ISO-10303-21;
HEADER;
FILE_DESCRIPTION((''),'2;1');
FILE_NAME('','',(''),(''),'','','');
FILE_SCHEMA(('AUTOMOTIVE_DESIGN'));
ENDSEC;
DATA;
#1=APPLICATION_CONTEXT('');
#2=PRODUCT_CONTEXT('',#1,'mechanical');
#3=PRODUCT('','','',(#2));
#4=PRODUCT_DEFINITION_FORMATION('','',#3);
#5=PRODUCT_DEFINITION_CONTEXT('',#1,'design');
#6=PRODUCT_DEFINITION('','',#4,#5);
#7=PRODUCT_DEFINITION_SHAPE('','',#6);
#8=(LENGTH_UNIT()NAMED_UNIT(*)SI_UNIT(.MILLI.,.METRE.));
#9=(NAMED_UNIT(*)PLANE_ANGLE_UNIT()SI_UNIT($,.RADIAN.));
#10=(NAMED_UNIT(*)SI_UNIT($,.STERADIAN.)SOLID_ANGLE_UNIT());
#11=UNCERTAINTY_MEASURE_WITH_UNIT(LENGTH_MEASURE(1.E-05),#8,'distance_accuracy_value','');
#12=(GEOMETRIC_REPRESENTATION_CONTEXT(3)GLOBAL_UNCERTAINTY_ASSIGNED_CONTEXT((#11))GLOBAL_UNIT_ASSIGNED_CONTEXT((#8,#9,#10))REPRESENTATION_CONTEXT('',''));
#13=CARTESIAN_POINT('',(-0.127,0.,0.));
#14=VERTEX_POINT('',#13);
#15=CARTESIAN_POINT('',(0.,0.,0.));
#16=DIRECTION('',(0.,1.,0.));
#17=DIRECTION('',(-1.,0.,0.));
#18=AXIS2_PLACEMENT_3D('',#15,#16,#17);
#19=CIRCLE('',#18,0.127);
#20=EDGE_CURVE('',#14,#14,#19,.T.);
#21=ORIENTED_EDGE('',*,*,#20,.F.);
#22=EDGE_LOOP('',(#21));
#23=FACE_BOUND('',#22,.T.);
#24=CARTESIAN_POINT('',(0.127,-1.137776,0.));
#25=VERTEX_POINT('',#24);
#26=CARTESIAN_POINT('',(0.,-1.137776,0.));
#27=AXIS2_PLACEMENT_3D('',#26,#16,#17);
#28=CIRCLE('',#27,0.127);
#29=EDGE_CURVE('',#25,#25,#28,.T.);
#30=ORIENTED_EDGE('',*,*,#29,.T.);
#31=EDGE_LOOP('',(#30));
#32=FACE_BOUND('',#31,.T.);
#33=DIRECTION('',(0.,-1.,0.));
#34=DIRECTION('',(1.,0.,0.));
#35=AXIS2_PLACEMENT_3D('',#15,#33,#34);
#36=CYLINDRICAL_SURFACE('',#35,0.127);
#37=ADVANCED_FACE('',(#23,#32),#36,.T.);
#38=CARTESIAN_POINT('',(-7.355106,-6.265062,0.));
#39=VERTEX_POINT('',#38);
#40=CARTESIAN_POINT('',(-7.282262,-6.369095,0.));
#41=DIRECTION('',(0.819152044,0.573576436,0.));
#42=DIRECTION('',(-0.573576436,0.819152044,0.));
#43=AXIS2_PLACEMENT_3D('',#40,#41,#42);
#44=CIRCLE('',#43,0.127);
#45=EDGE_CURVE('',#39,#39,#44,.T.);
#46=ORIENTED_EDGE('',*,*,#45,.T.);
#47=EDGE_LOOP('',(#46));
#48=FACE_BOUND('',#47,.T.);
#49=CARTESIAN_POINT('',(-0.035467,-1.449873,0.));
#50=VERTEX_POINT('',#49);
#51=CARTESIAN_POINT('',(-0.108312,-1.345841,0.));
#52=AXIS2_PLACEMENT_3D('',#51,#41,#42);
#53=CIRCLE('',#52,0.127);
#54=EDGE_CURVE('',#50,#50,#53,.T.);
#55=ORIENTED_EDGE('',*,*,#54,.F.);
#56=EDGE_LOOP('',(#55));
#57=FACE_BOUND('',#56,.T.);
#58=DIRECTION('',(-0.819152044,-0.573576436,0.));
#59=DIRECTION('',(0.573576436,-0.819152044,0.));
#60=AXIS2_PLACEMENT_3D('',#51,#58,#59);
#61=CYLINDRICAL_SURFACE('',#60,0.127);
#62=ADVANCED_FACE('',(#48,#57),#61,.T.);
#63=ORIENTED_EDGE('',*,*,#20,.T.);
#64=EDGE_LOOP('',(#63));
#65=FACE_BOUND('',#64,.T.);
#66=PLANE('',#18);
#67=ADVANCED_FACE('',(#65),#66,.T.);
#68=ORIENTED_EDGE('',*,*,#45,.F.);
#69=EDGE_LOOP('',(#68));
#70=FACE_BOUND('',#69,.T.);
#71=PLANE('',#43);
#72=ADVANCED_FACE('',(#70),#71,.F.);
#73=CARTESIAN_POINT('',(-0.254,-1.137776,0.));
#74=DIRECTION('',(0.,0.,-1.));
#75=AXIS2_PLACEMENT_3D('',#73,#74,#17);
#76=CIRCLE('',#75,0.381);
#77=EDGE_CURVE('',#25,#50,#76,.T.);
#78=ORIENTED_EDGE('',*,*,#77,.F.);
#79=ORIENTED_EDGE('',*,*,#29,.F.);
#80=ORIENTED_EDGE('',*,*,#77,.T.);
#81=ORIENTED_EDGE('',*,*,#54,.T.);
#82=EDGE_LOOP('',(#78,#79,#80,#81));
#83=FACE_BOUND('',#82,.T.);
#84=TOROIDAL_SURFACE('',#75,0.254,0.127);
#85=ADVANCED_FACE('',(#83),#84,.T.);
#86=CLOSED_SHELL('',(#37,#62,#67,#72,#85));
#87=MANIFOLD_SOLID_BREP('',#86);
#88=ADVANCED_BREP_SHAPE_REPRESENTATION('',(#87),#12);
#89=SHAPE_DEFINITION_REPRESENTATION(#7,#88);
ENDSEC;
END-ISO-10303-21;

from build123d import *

# Parameters (mm, degrees)
SWEEP1_PROFILE_R = 0.127


with BuildPart() as part:
    # Sweep1: sweep along a path in Sketch1
    with BuildLine(Plane.XY) as sweep1_path:
        Line((0, 0), (0, -1.137775969))
        ThreePointArc((0, -1.137775969), (-0.028699248, -1.255060117), (-0.108311585, -1.345840588))
        Line((-0.108311585, -1.345840588), (-7.282261674, -6.369094519))
    # Sweep1 profile (on start of the path) → Sweep1 (sweep)
    with BuildSketch(Plane(origin=(0, 0, 0), x_dir=(-1, 0, 0), z_dir=(0, -1, 0))):
        Circle(SWEEP1_PROFILE_R)
    sweep(path=sweep1_path.line)


solid = part.part
